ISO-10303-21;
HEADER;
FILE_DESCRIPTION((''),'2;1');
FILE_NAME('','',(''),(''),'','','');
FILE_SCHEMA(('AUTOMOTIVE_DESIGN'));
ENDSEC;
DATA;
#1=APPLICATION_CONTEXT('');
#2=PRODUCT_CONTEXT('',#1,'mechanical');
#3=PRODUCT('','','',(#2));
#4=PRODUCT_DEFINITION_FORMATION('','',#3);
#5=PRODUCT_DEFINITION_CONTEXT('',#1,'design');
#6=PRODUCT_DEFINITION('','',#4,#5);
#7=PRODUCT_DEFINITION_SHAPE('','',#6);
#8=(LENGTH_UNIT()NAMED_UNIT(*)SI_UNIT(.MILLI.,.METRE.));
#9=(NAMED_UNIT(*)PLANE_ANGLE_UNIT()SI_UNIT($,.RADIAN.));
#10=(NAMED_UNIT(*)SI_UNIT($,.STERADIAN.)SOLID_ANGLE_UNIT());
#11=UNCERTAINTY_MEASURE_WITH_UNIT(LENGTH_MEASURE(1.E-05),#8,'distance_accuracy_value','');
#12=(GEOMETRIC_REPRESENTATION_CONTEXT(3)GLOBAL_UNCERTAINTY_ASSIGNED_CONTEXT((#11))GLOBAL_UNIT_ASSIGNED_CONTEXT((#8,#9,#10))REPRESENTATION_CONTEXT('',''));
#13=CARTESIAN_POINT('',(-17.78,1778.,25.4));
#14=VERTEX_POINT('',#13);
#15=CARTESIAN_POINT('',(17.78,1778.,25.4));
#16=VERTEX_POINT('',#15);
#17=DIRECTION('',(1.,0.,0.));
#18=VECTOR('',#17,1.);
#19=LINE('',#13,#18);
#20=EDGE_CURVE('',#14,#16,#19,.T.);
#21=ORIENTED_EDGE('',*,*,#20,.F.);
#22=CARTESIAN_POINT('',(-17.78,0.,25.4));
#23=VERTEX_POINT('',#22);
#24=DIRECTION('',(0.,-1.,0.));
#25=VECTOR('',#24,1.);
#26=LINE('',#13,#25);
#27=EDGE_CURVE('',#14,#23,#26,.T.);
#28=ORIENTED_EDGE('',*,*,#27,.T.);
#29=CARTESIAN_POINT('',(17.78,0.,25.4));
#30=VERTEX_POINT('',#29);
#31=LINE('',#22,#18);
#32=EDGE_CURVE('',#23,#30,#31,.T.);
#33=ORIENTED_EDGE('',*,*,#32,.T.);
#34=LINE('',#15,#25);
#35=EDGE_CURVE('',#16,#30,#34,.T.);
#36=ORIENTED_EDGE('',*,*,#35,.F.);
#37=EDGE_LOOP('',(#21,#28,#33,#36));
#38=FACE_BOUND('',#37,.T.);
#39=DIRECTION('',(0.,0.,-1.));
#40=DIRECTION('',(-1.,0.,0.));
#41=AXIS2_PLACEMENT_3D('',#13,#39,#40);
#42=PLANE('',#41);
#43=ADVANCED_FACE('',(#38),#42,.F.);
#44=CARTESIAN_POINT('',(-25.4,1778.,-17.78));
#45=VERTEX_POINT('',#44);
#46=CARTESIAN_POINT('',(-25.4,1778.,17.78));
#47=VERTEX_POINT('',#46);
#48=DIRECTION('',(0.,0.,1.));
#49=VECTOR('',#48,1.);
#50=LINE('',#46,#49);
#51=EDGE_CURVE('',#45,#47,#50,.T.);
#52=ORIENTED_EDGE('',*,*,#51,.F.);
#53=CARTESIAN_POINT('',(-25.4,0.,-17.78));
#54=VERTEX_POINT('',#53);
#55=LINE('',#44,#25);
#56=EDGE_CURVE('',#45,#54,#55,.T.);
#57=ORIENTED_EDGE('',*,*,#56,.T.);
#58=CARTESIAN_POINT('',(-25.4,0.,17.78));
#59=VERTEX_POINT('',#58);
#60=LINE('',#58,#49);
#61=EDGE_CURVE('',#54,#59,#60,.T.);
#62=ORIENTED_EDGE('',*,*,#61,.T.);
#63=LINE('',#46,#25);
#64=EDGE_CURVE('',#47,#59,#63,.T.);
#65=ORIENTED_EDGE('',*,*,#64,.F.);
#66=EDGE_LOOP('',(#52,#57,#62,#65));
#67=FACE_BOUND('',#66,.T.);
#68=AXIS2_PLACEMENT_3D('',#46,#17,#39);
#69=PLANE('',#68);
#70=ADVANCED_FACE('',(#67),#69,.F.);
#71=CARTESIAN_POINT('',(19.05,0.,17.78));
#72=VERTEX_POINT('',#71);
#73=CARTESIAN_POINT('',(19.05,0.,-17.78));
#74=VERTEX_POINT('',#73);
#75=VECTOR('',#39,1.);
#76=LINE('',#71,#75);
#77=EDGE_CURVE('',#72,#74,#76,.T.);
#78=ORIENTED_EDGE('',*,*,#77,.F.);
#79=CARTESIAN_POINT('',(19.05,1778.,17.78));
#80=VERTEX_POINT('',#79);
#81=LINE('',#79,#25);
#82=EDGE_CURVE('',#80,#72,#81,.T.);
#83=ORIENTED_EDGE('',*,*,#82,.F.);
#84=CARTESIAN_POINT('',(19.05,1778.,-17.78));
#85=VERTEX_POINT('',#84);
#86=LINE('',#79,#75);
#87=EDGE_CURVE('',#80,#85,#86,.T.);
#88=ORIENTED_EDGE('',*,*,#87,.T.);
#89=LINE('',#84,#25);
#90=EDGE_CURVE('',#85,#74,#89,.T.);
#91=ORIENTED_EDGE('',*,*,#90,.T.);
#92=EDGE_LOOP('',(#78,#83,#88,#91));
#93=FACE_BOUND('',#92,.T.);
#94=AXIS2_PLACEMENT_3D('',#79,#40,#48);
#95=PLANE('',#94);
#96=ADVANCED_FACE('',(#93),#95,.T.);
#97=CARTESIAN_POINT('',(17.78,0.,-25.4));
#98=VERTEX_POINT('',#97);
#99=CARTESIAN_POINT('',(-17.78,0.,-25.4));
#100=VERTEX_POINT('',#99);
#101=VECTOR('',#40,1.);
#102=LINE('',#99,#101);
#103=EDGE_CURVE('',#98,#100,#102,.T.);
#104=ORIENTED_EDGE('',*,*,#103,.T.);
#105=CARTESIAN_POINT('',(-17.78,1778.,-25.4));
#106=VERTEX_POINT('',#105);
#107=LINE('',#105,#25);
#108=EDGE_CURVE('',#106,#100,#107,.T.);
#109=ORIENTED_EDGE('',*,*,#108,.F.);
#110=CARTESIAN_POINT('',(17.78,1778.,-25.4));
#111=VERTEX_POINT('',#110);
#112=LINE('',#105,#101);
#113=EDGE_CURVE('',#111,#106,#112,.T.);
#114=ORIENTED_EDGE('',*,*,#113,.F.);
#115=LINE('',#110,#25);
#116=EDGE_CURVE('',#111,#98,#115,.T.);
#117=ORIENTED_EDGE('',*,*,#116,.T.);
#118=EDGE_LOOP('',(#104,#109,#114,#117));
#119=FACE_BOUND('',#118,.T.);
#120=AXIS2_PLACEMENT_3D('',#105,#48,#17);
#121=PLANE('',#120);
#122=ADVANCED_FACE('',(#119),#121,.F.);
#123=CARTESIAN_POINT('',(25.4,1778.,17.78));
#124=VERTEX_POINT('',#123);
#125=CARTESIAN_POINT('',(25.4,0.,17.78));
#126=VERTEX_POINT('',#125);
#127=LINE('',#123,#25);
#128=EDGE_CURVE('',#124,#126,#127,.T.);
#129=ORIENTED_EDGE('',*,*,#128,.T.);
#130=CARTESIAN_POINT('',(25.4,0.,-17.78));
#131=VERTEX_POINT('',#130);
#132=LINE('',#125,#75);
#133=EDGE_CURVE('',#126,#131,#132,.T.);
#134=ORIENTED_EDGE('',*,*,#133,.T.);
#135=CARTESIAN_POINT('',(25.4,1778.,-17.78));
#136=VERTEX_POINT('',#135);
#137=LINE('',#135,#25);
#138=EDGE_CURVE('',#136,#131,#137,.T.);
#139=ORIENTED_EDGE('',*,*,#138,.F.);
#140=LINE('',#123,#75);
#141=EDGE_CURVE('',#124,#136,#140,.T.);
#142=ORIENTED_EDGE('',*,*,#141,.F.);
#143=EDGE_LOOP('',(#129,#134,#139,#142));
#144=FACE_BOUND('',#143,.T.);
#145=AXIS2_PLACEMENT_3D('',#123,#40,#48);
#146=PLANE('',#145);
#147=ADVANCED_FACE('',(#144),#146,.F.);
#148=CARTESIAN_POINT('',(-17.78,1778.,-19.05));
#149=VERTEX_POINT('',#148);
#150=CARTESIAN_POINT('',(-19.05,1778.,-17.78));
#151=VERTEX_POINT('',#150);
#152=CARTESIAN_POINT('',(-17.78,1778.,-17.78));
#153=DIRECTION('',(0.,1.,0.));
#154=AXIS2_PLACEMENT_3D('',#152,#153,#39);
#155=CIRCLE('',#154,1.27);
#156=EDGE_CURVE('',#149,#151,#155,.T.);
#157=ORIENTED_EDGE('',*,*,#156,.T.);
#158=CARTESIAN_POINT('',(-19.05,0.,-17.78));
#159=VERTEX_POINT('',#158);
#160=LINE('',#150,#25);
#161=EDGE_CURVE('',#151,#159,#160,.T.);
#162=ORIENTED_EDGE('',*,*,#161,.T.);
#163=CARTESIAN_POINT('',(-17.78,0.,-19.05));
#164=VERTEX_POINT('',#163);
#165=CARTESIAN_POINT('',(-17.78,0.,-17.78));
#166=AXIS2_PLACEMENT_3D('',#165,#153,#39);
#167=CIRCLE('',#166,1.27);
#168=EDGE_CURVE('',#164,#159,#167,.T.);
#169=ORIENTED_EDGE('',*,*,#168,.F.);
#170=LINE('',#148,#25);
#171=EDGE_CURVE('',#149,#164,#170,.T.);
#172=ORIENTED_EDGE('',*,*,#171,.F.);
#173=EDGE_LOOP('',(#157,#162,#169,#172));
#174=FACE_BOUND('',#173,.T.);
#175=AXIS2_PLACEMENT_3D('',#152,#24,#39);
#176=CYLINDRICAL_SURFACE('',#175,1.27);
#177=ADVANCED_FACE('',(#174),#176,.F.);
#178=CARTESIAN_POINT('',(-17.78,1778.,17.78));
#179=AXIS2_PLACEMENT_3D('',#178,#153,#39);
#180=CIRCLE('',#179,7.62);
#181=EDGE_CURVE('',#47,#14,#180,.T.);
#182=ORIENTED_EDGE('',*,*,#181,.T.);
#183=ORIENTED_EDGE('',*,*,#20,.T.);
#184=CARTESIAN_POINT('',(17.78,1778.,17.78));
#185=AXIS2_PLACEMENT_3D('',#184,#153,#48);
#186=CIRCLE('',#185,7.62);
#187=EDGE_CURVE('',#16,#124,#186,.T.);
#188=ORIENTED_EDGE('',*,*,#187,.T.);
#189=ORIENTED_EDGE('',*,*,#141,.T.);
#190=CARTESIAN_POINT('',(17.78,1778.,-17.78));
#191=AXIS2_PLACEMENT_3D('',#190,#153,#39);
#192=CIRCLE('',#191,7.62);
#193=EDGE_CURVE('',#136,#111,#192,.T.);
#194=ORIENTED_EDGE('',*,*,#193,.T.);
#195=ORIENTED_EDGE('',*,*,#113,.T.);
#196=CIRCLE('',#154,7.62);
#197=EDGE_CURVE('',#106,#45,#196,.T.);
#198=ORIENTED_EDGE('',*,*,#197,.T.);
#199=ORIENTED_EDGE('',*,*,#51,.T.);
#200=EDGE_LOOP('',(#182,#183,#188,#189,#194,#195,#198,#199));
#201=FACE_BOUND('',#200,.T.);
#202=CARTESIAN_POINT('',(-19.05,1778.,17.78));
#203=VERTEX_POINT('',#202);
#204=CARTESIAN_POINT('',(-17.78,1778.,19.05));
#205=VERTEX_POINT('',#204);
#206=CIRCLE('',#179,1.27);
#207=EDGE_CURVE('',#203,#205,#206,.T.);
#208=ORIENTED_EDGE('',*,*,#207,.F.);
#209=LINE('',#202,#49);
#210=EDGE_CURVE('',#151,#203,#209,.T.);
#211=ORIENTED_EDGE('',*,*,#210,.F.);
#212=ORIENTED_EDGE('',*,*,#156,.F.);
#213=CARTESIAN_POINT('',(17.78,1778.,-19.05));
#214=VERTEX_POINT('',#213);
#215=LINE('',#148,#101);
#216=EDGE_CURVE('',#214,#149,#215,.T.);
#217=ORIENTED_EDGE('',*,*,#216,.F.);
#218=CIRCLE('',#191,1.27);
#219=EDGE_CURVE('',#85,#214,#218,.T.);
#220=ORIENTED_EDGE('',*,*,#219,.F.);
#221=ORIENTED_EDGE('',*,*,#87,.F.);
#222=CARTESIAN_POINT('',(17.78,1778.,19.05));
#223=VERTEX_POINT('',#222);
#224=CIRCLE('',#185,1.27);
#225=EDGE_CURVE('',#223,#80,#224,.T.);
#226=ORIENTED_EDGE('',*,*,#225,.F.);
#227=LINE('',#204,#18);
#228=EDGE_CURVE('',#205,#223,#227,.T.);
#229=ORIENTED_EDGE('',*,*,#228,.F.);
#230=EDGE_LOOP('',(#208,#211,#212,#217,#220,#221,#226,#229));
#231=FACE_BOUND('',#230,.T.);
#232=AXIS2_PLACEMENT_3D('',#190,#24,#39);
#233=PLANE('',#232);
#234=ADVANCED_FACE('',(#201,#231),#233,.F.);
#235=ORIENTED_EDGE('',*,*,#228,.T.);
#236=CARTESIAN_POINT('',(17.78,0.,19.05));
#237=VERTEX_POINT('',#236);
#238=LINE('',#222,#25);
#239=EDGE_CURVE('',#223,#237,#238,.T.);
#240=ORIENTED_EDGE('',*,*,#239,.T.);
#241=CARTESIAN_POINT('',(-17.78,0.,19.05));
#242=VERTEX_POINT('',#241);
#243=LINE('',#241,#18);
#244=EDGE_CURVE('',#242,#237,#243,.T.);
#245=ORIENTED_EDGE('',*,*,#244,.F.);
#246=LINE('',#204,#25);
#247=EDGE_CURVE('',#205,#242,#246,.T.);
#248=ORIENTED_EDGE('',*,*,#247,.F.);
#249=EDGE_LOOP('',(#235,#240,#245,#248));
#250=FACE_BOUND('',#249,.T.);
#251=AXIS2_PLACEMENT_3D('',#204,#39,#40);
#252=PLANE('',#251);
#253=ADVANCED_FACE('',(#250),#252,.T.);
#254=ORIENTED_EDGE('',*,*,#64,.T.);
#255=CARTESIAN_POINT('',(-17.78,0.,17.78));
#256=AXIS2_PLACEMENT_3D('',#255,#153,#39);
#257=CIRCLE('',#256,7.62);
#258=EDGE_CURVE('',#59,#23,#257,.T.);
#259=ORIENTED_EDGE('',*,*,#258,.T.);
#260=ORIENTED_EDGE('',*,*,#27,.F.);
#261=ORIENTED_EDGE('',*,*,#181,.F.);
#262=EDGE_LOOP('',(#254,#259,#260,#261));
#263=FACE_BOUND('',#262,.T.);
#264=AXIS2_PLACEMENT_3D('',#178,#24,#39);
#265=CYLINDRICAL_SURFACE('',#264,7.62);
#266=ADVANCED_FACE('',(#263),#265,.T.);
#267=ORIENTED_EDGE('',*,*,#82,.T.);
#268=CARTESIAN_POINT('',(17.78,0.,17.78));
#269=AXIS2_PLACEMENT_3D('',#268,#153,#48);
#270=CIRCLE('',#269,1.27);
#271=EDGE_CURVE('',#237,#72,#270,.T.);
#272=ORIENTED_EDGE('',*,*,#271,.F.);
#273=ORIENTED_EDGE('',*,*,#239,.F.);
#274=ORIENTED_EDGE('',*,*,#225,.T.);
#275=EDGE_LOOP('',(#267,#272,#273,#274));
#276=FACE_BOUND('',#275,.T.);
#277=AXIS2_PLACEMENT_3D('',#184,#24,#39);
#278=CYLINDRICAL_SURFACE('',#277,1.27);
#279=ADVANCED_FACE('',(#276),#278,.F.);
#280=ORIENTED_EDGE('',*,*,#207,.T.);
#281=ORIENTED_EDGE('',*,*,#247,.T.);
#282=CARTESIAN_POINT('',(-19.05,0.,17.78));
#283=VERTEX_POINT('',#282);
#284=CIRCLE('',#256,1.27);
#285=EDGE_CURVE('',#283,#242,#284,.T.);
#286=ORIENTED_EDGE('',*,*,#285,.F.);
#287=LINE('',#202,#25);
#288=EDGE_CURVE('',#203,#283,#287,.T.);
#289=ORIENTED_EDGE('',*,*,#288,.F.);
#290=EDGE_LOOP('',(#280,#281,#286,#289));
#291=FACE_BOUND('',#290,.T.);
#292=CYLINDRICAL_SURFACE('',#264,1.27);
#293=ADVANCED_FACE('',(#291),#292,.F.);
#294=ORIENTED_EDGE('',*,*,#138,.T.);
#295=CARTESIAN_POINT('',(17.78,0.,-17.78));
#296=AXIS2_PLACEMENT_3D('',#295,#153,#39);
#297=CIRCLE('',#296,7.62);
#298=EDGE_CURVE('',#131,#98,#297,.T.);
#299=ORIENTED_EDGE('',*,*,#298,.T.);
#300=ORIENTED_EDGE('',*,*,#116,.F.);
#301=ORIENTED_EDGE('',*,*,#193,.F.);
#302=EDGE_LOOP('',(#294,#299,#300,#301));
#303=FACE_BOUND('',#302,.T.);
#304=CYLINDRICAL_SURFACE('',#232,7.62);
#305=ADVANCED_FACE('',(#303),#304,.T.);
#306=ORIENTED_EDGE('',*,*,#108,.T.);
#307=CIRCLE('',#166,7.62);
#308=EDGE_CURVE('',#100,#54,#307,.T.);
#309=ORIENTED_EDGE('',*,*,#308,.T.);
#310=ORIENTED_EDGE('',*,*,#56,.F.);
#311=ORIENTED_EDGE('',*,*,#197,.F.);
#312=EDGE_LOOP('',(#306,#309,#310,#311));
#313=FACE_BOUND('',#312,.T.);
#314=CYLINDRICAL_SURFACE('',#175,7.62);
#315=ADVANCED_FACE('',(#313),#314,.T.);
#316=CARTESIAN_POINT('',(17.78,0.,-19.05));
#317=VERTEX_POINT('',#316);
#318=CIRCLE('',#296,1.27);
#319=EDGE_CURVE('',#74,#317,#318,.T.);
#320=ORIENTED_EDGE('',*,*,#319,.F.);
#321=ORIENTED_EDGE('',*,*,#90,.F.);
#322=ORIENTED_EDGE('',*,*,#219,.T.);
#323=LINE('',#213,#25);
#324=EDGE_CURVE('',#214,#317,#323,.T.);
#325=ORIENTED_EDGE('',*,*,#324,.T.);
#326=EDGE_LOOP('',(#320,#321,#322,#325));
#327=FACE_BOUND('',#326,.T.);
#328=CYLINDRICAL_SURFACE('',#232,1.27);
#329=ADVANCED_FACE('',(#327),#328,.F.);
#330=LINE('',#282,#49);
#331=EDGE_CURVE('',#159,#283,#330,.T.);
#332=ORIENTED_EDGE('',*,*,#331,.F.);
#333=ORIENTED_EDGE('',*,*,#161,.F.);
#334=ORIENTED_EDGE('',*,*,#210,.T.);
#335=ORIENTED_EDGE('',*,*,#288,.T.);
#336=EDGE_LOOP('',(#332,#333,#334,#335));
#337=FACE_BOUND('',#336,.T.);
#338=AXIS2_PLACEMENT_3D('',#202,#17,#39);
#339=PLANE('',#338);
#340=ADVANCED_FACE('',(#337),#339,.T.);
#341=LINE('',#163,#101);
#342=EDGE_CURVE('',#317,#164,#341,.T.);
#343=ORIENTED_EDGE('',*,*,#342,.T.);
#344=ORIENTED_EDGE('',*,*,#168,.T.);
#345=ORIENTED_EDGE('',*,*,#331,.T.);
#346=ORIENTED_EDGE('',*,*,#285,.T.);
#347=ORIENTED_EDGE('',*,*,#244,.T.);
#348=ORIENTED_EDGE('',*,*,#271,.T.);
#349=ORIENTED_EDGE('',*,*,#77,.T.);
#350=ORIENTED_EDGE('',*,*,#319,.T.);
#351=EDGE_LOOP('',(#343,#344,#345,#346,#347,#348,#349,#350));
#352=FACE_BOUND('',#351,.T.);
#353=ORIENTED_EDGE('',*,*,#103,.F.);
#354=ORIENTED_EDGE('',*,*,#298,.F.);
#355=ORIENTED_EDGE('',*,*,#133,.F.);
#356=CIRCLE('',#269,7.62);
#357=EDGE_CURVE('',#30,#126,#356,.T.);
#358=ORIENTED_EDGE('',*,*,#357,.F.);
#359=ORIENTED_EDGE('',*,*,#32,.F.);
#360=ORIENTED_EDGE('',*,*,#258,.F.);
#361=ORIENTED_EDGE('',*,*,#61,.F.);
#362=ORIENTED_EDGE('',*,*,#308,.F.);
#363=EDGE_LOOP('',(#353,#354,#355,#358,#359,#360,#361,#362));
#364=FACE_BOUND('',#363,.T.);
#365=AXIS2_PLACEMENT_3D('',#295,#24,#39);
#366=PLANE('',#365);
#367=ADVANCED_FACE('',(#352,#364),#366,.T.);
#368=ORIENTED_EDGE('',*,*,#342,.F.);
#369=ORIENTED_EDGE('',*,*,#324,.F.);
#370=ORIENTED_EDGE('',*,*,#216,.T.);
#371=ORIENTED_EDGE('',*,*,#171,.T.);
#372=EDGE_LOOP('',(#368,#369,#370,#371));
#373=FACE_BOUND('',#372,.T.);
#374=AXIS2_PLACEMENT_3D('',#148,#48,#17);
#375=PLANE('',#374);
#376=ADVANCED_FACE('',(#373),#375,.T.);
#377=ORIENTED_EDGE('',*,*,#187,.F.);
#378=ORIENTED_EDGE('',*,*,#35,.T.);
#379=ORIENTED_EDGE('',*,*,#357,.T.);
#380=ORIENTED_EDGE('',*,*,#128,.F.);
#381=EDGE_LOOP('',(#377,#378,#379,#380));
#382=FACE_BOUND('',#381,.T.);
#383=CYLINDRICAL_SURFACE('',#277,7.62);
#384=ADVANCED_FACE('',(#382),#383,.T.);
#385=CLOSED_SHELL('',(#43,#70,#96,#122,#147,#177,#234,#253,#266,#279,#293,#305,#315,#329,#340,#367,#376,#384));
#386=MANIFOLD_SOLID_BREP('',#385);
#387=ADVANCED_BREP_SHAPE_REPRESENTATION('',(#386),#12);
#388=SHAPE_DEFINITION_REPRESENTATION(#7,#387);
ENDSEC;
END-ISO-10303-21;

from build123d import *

# Parameters (mm, degrees)
BOSS_EXTRUDE1_DEPTH = 1778


with BuildPart() as part:
    # Sketch2 → Boss-Extrude1 (new body)
    with BuildSketch(Plane(origin=(0, 0, 0), x_dir=(1, 0, 0), z_dir=(0, 1, 0))):
        with BuildLine():
            Line((-17.78, -25.4), (17.78, -25.4))
            ThreePointArc((17.78, -25.4), (23.168153673, -23.168153673), (25.4, -17.78))
            Line((25.4, -17.78), (25.4, 17.78))
            ThreePointArc((25.4, 17.78), (23.168153673, 23.168153673), (17.78, 25.4))
            Line((17.78, 25.4), (-17.78, 25.4))
            ThreePointArc((-17.78, 25.4), (-23.168153673, 23.168153673), (-25.4, 17.78))
            Line((-25.4, 17.78), (-25.4, -17.78))
            ThreePointArc((-25.4, -17.78), (-23.168153673, -23.168153673), (-17.78, -25.4))
        make_face()
        with BuildLine():
            Line((-17.78, -19.05), (17.78, -19.05))
            ThreePointArc((17.78, -19.05), (18.678025612, -18.678025612), (19.05, -17.78))
            Line((19.05, -17.78), (19.05, 17.78))
            ThreePointArc((19.05, 17.78), (18.678025612, 18.678025612), (17.78, 19.05))
            Line((17.78, 19.05), (-17.78, 19.05))
            ThreePointArc((-17.78, 19.05), (-18.678025612, 18.678025612), (-19.05, 17.78))
            Line((-19.05, 17.78), (-19.05, -17.78))
            ThreePointArc((-19.05, -17.78), (-18.678025612, -18.678025612), (-17.78, -19.05))
        make_face(mode=Mode.SUBTRACT)
    extrude(amount=BOSS_EXTRUDE1_DEPTH)


solid = part.part
